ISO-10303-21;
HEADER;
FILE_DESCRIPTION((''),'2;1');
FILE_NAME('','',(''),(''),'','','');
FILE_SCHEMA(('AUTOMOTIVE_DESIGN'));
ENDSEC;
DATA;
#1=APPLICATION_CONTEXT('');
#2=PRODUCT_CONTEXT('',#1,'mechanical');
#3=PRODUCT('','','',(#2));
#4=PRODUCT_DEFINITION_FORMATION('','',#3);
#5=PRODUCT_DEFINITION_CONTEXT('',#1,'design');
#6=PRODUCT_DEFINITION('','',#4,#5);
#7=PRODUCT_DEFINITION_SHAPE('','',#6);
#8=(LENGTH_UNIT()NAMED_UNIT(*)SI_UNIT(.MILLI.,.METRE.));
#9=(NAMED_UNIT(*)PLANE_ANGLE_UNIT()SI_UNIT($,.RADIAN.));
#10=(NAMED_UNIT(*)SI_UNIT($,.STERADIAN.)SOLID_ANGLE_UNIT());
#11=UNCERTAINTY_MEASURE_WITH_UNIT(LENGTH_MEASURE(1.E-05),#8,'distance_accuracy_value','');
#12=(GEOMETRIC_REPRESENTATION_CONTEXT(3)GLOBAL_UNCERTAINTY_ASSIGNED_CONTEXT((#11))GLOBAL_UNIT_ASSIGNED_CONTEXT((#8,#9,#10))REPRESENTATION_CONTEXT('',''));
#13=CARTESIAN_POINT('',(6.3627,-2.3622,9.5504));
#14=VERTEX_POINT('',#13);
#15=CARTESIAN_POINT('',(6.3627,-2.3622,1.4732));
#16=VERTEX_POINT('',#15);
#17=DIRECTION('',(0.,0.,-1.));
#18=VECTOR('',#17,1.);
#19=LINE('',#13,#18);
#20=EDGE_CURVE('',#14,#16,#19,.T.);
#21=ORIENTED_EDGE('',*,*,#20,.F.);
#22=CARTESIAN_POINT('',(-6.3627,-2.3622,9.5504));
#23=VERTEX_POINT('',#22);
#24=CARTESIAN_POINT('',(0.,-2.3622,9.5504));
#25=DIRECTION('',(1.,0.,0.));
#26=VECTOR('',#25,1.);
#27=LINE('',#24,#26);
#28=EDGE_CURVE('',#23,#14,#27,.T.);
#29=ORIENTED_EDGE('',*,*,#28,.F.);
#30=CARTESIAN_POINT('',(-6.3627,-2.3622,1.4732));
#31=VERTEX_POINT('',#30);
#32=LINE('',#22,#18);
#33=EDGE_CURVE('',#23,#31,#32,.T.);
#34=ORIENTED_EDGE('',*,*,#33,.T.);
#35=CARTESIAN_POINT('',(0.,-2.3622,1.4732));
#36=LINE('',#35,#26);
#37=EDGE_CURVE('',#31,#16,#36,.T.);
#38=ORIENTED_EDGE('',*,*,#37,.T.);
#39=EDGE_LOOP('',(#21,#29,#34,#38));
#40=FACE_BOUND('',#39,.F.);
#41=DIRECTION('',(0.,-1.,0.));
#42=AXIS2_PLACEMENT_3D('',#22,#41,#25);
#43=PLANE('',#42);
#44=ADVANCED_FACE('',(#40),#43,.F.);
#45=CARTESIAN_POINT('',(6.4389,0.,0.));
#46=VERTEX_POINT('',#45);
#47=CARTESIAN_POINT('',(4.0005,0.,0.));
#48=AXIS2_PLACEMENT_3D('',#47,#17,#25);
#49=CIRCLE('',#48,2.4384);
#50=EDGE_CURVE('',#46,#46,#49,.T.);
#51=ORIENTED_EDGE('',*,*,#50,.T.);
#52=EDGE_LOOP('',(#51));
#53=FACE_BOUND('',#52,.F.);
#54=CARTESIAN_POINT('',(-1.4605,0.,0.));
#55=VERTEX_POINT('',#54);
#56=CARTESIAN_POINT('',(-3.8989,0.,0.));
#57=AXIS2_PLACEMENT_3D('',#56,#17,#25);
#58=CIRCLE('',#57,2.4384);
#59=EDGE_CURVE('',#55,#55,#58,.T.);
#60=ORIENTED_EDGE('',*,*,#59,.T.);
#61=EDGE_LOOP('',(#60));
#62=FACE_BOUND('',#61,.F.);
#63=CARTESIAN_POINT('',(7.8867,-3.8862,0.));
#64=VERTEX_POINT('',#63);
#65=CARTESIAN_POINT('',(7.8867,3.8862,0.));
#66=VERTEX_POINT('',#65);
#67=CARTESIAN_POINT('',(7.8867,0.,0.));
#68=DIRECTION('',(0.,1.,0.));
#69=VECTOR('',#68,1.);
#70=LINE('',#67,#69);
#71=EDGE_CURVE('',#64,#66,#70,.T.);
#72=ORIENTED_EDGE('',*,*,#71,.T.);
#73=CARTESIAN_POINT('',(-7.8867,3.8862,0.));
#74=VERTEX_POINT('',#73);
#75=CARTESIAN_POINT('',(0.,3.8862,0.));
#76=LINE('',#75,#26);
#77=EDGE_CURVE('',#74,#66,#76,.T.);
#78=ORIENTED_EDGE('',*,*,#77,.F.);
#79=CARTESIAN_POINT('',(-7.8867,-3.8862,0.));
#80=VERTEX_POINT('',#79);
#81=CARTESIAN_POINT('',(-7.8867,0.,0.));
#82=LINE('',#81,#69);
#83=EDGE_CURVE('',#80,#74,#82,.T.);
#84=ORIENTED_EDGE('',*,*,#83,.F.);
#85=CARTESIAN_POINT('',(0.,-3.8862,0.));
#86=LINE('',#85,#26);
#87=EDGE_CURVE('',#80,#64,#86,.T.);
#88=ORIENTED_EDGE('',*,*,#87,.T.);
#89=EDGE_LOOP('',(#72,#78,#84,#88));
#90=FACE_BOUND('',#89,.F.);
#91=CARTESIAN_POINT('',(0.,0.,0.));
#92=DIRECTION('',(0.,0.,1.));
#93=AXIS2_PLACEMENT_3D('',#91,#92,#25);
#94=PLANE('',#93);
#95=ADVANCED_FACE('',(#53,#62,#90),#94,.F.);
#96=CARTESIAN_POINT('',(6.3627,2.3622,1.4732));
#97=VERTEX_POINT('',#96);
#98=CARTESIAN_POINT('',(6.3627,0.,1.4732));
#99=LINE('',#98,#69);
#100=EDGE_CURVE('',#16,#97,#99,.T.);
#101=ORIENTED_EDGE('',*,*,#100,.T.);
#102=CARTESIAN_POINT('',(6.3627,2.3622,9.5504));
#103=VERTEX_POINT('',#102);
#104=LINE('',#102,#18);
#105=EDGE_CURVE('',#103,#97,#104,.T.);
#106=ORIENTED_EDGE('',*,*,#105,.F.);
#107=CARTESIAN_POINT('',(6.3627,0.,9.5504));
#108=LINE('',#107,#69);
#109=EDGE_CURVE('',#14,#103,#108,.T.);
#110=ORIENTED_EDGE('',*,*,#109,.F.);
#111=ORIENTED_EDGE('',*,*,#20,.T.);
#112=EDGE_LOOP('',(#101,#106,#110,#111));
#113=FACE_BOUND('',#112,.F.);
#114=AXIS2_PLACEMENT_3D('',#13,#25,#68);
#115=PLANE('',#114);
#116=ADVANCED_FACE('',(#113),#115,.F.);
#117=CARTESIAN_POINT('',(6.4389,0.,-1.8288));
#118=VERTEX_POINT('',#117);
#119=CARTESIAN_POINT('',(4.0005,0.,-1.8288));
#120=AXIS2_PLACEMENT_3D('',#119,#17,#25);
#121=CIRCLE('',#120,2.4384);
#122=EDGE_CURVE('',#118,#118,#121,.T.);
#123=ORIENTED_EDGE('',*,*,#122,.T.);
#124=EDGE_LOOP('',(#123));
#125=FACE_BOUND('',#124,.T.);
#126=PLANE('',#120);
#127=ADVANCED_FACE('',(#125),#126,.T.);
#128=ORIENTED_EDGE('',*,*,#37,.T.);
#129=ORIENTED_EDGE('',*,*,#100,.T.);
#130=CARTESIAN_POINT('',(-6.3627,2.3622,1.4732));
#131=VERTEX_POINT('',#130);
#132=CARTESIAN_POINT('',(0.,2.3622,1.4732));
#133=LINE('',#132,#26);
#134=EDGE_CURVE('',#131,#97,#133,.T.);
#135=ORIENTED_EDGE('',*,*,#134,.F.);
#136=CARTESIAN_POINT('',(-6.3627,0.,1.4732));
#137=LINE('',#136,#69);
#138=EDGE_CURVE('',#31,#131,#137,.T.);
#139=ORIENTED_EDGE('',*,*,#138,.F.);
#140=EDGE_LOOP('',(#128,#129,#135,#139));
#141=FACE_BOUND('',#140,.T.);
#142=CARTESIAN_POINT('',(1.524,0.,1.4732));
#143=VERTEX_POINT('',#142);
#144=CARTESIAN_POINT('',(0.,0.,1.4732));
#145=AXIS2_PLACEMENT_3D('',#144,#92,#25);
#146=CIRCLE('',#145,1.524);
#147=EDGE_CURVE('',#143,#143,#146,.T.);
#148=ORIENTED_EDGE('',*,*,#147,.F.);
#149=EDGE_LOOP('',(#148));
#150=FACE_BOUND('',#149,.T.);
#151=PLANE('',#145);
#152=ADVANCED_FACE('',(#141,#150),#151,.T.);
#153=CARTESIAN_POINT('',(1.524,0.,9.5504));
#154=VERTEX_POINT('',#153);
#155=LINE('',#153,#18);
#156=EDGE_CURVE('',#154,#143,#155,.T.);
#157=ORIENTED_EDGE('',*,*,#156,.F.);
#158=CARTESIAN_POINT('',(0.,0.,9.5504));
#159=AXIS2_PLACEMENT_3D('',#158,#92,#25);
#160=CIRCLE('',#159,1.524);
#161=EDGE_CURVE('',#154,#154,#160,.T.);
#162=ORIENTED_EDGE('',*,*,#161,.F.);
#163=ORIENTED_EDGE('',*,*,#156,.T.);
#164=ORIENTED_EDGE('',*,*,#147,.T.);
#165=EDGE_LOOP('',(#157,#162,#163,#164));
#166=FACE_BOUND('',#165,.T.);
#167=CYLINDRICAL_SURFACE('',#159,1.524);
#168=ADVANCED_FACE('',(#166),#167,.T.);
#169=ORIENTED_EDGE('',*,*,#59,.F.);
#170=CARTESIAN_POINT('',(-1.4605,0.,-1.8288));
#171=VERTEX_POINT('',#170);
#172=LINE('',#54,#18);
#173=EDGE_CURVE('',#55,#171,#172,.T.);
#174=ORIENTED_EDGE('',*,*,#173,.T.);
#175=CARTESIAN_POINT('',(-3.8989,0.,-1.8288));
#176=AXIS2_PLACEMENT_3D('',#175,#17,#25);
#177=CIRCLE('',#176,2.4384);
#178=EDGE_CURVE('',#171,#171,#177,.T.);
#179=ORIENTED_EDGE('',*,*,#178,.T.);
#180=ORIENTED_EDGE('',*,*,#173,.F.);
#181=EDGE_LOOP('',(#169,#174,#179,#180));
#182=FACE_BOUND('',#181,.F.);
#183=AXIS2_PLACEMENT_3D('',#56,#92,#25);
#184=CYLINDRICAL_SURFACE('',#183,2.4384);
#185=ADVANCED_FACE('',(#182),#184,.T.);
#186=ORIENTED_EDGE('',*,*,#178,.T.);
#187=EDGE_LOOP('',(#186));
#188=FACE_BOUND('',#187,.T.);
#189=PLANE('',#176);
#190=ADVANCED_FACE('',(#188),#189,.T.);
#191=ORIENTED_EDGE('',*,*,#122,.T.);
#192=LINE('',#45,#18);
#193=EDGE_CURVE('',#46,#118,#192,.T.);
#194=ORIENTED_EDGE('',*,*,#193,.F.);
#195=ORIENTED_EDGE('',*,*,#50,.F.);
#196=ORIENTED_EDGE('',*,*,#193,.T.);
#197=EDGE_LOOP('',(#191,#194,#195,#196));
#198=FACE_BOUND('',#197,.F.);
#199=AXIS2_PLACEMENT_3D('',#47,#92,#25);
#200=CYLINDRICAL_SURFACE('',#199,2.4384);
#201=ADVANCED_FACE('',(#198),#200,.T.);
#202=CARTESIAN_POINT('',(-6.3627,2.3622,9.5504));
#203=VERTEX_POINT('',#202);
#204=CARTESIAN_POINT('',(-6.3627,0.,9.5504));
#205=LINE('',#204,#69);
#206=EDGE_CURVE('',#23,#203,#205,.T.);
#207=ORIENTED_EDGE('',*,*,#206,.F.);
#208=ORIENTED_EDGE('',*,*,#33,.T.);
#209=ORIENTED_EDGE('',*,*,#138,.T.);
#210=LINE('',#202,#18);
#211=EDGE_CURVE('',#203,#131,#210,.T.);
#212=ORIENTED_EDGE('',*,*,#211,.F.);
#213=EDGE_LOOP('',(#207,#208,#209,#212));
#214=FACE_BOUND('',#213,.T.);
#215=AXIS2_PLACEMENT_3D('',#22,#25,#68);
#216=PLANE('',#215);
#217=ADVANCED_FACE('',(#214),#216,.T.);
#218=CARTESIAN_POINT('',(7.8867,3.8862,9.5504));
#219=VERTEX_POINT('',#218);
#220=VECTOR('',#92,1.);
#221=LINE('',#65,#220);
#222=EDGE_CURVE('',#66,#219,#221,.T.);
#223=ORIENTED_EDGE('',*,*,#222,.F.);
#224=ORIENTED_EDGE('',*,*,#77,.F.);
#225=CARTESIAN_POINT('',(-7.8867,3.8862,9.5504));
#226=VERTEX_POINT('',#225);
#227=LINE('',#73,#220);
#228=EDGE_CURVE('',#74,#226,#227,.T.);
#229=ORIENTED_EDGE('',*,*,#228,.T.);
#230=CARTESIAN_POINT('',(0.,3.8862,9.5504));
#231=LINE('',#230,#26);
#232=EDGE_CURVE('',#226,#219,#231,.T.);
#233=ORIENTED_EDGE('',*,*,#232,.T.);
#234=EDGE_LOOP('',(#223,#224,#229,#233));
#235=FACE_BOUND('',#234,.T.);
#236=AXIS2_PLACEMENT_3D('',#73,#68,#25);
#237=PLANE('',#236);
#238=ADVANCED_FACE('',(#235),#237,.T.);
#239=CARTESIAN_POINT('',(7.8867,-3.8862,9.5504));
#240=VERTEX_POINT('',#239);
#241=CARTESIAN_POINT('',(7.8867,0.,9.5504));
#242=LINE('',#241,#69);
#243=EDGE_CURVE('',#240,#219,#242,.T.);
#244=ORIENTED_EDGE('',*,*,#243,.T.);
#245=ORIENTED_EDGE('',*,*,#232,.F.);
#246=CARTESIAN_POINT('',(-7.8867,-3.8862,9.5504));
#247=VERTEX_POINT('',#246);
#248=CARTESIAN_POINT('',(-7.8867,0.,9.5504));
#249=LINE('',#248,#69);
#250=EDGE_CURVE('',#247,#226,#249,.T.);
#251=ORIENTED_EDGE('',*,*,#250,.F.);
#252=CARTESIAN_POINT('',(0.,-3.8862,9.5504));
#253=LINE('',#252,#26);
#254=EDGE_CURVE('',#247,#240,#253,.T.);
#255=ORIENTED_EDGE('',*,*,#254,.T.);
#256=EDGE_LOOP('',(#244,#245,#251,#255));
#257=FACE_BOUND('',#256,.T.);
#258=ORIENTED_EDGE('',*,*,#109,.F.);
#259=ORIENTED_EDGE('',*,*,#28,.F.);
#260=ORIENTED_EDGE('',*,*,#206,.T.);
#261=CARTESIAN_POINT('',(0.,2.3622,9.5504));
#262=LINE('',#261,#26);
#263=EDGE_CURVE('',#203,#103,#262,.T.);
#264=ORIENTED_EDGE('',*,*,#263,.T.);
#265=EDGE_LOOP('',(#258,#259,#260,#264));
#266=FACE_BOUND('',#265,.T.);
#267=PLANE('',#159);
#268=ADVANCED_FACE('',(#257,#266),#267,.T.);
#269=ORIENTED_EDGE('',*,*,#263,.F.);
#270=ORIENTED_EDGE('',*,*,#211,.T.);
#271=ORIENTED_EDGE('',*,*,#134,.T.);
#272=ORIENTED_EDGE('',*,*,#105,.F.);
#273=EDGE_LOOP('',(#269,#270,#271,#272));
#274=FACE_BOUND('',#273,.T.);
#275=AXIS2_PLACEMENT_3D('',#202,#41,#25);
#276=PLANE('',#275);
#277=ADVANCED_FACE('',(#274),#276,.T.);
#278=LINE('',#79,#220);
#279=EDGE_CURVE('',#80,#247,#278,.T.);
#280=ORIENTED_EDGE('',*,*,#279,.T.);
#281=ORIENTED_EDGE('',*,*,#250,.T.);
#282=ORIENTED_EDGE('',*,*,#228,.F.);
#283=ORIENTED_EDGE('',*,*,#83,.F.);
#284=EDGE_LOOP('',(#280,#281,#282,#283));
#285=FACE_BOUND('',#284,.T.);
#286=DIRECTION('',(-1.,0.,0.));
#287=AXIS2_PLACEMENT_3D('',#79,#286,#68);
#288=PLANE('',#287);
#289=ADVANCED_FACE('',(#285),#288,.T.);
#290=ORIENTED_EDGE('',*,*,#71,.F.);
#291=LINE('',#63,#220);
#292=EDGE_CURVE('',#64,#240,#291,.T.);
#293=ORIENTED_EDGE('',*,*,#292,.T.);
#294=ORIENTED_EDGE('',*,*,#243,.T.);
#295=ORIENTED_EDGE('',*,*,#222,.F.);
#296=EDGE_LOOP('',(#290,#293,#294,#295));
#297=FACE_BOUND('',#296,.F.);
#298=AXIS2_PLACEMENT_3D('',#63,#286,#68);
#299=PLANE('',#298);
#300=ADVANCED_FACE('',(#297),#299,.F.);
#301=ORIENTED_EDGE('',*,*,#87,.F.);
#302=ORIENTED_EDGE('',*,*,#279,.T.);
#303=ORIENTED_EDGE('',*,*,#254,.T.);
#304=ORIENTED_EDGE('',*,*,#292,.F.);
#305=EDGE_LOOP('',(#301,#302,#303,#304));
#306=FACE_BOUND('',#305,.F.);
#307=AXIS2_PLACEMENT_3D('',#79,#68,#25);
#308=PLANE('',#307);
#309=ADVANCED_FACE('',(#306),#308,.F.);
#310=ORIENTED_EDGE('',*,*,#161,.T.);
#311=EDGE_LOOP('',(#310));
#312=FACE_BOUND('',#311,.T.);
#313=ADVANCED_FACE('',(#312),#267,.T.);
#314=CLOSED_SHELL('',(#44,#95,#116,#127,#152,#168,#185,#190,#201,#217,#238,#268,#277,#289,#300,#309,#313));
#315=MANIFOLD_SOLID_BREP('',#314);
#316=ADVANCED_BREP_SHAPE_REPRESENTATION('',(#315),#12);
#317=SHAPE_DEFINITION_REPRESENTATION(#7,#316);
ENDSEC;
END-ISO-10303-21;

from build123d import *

# Parameters (mm, degrees)
F0_W     = 15.7734
F0_H     = 7.7724
F1_DEPTH = 9.5504
F3_W     = 12.7254
F3_H     = 4.7244
F3_R     = 1.524
F4_DEPTH = 8.0772
F5_R     = 2.4384
F6_DEPTH = 1.8288


with BuildPart() as f1:
    # F0 (on Top) → F1 (new body)
    with BuildSketch(Plane.XY):
        Rectangle(F0_W, F0_H)
    extrude(amount=F1_DEPTH)

    # F3 (on face) → F4 (cut)
    with BuildSketch(Plane.XY.offset(9.5504)):
        Rectangle(F3_W, F3_H)
        Circle(F3_R, mode=Mode.SUBTRACT)
    extrude(amount=-F4_DEPTH, mode=Mode.SUBTRACT)

    # F5 (on face) → F6 (join)
    with BuildSketch(Plane(origin=(0, 0, 0), x_dir=(1, 0, 0), z_dir=(0, 0, -1))):
        with Locations((-3.8989, 0)):
            Circle(F5_R)
        with Locations((4.0005, 0)):
            Circle(F5_R)
    extrude(amount=F6_DEPTH)


solid = f1.part
